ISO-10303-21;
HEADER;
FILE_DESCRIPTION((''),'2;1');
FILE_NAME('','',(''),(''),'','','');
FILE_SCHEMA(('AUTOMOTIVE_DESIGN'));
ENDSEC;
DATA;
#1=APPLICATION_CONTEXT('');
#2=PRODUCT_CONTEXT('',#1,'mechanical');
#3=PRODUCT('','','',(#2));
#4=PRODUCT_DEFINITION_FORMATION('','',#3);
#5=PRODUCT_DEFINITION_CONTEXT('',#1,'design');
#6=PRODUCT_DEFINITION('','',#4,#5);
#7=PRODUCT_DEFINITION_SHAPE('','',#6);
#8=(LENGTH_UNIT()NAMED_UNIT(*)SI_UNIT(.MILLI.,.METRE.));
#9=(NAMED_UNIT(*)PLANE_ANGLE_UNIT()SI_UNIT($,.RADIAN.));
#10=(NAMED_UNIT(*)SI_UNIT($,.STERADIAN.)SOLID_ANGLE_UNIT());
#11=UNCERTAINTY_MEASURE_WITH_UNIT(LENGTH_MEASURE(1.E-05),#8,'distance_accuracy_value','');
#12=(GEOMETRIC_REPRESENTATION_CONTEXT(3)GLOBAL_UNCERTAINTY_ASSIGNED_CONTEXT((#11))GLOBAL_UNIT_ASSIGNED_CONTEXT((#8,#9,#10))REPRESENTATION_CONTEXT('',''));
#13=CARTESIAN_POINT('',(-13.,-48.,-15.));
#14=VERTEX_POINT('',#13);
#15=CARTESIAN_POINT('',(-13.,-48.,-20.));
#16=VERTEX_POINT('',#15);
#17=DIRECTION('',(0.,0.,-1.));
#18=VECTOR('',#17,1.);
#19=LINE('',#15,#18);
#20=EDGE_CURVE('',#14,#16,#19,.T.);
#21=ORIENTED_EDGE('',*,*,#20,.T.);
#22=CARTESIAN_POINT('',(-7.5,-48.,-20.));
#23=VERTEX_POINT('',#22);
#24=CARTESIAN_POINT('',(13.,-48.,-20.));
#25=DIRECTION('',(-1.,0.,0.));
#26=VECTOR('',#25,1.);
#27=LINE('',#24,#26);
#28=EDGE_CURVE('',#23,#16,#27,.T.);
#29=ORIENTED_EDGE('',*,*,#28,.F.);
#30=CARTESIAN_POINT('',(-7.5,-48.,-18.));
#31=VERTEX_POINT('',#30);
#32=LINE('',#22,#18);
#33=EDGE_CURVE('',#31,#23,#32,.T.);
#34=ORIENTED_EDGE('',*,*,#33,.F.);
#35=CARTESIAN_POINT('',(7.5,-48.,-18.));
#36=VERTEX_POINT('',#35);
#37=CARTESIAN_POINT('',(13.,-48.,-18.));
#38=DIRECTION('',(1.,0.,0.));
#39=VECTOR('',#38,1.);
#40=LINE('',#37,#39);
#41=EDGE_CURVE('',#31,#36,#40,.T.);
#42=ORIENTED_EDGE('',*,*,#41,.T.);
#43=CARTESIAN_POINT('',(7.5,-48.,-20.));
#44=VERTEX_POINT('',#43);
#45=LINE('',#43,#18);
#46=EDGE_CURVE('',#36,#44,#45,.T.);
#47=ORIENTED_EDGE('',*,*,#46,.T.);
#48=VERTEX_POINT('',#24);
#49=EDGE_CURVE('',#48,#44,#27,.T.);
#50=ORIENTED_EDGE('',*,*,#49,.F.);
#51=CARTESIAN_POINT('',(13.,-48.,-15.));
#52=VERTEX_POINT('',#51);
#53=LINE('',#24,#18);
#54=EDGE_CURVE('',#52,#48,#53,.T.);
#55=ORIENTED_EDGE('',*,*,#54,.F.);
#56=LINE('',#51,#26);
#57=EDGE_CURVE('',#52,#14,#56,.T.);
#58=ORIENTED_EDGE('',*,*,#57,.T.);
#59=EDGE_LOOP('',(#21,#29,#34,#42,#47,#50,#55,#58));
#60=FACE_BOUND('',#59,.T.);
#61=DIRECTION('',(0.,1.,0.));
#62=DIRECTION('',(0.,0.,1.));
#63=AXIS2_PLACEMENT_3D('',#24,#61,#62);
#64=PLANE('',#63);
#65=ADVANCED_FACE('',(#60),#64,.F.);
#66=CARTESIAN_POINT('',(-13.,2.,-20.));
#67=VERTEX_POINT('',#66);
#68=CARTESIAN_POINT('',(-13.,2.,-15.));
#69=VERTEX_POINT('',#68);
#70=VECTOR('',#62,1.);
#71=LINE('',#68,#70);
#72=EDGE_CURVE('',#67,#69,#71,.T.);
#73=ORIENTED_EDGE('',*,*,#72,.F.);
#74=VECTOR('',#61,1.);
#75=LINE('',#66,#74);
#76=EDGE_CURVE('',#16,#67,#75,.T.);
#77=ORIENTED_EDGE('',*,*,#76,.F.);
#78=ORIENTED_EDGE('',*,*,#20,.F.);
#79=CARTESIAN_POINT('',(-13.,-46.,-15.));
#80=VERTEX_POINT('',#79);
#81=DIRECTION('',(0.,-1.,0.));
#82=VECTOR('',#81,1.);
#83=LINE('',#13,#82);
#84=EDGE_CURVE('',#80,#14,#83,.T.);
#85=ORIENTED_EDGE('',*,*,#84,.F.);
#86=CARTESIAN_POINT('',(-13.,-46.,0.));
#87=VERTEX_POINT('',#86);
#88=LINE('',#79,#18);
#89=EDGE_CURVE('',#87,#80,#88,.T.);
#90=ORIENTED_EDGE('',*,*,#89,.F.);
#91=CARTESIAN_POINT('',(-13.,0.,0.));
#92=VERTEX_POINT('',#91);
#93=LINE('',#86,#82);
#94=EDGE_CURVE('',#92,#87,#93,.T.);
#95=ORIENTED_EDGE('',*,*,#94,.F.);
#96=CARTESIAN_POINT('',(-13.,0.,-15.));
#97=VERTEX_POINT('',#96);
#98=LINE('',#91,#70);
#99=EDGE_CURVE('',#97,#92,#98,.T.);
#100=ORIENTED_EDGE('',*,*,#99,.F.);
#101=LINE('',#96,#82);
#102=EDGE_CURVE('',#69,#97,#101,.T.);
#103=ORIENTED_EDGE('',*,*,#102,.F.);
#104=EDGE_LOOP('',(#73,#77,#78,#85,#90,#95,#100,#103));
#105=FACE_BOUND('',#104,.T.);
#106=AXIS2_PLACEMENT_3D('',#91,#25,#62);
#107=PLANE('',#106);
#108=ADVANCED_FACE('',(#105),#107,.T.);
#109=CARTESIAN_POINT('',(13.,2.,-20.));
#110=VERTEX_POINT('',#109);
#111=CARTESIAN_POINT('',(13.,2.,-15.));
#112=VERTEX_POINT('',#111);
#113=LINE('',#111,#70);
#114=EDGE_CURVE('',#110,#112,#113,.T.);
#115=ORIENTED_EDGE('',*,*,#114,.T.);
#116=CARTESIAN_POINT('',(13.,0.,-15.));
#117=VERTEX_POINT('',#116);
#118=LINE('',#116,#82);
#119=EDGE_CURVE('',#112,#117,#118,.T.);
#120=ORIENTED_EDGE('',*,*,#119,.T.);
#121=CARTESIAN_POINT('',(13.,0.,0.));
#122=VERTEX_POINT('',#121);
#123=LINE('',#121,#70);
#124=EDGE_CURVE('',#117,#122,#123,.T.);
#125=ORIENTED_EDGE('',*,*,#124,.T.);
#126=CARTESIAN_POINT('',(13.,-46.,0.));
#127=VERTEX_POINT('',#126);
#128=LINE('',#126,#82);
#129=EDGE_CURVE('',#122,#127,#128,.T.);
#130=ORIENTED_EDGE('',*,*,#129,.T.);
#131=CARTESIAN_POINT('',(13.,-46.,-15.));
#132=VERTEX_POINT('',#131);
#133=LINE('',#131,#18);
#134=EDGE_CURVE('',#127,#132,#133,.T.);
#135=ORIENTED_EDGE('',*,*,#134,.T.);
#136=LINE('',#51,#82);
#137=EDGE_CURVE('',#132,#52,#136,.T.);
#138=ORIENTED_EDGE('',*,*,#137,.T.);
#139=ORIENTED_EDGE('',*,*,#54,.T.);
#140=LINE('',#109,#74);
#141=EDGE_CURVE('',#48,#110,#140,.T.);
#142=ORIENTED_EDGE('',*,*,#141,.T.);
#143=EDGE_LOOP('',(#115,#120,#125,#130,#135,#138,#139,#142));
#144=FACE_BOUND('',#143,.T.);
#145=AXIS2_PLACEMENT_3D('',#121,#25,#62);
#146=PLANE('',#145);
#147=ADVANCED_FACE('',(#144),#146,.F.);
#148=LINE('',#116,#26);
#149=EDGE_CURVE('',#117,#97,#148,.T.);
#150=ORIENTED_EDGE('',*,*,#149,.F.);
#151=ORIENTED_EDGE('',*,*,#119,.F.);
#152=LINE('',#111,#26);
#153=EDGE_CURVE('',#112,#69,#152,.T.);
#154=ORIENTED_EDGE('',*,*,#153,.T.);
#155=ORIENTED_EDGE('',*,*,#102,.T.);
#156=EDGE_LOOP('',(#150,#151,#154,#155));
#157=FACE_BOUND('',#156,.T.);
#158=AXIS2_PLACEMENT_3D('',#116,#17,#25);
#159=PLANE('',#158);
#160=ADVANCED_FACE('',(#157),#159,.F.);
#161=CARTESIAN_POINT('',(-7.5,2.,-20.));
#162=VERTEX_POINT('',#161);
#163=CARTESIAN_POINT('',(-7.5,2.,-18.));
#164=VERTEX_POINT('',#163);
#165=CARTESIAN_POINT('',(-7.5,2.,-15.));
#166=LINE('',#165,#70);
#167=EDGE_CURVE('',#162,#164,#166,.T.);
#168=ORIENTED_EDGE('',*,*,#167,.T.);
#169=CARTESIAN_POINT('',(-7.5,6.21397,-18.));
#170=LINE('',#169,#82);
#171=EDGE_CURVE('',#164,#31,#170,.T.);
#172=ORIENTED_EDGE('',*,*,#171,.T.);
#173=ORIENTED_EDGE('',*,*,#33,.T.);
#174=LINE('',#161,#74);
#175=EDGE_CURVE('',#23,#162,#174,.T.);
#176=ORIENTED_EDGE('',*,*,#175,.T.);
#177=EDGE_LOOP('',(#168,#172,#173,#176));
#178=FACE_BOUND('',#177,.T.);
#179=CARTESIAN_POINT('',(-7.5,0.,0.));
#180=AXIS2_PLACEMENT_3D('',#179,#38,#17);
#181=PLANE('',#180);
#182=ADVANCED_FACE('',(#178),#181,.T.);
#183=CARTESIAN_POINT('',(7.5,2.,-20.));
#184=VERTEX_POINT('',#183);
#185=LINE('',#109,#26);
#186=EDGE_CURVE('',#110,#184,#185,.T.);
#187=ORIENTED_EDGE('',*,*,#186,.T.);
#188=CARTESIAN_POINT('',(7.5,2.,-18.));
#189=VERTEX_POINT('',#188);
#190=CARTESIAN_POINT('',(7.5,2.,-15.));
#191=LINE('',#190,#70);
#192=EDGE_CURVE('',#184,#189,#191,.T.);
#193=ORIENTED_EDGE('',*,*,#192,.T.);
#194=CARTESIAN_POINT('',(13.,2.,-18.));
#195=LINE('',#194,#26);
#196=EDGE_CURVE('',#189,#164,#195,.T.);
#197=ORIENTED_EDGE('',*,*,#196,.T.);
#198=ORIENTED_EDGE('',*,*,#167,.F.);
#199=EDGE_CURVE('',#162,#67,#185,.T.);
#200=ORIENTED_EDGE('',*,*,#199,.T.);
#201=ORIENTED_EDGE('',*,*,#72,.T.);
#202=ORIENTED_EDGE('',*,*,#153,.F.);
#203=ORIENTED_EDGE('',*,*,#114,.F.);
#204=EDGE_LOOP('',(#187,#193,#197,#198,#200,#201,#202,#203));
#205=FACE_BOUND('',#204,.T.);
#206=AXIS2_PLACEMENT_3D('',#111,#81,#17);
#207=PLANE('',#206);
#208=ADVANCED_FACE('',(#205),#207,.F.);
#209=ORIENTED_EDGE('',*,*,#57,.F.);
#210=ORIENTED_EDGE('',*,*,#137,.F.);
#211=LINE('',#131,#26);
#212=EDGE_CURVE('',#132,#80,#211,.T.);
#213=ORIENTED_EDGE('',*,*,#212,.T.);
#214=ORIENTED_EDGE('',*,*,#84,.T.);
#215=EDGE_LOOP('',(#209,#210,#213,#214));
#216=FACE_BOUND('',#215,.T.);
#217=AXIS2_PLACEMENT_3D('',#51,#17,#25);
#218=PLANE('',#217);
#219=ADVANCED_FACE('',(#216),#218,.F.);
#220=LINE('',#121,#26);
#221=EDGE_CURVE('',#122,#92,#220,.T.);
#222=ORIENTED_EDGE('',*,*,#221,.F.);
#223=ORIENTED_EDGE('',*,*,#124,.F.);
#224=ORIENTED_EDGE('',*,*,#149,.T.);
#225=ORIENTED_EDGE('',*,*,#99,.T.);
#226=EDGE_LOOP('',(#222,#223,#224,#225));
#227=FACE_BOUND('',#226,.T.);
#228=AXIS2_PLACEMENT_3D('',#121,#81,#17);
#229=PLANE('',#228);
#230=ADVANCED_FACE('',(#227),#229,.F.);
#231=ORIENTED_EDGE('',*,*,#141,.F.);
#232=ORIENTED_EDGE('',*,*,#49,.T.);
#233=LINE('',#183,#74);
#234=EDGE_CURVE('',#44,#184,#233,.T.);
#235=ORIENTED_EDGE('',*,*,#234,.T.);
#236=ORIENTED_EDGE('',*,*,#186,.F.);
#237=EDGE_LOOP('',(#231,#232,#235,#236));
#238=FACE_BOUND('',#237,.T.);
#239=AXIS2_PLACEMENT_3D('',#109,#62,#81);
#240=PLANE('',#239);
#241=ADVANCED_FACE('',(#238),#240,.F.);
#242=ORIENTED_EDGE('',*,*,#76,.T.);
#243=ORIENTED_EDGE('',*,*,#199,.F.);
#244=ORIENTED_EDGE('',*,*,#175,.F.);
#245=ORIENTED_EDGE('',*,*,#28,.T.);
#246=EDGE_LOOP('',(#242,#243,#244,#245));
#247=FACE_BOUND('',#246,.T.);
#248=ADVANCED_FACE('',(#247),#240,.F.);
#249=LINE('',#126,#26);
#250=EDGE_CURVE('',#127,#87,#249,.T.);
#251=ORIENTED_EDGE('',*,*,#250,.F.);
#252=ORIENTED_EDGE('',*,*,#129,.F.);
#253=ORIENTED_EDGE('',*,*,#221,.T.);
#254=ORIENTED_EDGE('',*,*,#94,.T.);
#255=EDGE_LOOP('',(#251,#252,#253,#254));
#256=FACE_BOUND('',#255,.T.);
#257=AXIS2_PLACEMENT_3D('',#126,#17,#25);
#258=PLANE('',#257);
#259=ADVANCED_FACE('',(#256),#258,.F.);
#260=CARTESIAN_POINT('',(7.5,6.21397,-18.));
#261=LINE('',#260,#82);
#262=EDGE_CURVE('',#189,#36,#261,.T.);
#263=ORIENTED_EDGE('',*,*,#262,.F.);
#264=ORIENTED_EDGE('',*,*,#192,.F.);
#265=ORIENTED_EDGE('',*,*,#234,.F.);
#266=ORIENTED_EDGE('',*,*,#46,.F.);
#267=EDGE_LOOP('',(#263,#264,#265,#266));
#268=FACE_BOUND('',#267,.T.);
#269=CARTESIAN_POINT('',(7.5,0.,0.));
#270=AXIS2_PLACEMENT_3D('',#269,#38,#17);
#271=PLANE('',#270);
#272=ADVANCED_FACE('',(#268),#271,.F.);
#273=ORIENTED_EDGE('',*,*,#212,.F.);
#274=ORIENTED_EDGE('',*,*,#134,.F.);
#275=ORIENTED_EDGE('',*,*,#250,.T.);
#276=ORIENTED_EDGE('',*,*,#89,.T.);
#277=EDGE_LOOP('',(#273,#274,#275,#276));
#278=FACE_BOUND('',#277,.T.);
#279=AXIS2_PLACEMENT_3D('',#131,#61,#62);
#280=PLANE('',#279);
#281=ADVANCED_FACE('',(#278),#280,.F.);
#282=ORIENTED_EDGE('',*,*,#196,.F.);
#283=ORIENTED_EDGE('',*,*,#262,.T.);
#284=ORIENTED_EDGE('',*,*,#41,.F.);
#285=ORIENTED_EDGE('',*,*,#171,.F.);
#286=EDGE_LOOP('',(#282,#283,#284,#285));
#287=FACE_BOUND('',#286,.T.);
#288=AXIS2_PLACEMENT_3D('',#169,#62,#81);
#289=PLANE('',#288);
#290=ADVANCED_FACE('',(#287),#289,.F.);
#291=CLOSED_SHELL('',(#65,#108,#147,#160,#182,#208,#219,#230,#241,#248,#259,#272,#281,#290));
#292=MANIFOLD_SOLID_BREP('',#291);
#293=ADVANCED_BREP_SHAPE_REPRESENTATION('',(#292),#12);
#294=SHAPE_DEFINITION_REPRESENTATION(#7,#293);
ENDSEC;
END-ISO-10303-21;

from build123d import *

# Parameters (mm, degrees)
EXTRUDE_1_DEPTH     = 13
SKETCH_4_W          = 20
SKETCH_4_H          = 60
CUT_EXTRUDE_1_DEPTH = 7.5


with BuildPart() as part:
    # 스케치2 → 보스-돌출1 (new, symmetric)
    with BuildSketch(Plane(origin=(0, 0, 0), x_dir=(0, 0, -1), z_dir=(1, 0, 0))):
        Polygon((0, 0), (15, 0), (15, 2), (20, 2), (20, -48), (15, -48), (15, -46), (0, -46), align=None)
    extrude(amount=EXTRUDE_1_DEPTH, both=True)

    # 스케치4 → 컷-돌출1 (cut, symmetric)
    with BuildSketch(Plane(origin=(0, 0, 0), x_dir=(0, 0, -1), z_dir=(1, 0, 0))):
        with Locations((28, -23.786029553)):
            Rectangle(SKETCH_4_W, SKETCH_4_H)
    extrude(amount=CUT_EXTRUDE_1_DEPTH, both=True, mode=Mode.SUBTRACT)


solid = part.part
